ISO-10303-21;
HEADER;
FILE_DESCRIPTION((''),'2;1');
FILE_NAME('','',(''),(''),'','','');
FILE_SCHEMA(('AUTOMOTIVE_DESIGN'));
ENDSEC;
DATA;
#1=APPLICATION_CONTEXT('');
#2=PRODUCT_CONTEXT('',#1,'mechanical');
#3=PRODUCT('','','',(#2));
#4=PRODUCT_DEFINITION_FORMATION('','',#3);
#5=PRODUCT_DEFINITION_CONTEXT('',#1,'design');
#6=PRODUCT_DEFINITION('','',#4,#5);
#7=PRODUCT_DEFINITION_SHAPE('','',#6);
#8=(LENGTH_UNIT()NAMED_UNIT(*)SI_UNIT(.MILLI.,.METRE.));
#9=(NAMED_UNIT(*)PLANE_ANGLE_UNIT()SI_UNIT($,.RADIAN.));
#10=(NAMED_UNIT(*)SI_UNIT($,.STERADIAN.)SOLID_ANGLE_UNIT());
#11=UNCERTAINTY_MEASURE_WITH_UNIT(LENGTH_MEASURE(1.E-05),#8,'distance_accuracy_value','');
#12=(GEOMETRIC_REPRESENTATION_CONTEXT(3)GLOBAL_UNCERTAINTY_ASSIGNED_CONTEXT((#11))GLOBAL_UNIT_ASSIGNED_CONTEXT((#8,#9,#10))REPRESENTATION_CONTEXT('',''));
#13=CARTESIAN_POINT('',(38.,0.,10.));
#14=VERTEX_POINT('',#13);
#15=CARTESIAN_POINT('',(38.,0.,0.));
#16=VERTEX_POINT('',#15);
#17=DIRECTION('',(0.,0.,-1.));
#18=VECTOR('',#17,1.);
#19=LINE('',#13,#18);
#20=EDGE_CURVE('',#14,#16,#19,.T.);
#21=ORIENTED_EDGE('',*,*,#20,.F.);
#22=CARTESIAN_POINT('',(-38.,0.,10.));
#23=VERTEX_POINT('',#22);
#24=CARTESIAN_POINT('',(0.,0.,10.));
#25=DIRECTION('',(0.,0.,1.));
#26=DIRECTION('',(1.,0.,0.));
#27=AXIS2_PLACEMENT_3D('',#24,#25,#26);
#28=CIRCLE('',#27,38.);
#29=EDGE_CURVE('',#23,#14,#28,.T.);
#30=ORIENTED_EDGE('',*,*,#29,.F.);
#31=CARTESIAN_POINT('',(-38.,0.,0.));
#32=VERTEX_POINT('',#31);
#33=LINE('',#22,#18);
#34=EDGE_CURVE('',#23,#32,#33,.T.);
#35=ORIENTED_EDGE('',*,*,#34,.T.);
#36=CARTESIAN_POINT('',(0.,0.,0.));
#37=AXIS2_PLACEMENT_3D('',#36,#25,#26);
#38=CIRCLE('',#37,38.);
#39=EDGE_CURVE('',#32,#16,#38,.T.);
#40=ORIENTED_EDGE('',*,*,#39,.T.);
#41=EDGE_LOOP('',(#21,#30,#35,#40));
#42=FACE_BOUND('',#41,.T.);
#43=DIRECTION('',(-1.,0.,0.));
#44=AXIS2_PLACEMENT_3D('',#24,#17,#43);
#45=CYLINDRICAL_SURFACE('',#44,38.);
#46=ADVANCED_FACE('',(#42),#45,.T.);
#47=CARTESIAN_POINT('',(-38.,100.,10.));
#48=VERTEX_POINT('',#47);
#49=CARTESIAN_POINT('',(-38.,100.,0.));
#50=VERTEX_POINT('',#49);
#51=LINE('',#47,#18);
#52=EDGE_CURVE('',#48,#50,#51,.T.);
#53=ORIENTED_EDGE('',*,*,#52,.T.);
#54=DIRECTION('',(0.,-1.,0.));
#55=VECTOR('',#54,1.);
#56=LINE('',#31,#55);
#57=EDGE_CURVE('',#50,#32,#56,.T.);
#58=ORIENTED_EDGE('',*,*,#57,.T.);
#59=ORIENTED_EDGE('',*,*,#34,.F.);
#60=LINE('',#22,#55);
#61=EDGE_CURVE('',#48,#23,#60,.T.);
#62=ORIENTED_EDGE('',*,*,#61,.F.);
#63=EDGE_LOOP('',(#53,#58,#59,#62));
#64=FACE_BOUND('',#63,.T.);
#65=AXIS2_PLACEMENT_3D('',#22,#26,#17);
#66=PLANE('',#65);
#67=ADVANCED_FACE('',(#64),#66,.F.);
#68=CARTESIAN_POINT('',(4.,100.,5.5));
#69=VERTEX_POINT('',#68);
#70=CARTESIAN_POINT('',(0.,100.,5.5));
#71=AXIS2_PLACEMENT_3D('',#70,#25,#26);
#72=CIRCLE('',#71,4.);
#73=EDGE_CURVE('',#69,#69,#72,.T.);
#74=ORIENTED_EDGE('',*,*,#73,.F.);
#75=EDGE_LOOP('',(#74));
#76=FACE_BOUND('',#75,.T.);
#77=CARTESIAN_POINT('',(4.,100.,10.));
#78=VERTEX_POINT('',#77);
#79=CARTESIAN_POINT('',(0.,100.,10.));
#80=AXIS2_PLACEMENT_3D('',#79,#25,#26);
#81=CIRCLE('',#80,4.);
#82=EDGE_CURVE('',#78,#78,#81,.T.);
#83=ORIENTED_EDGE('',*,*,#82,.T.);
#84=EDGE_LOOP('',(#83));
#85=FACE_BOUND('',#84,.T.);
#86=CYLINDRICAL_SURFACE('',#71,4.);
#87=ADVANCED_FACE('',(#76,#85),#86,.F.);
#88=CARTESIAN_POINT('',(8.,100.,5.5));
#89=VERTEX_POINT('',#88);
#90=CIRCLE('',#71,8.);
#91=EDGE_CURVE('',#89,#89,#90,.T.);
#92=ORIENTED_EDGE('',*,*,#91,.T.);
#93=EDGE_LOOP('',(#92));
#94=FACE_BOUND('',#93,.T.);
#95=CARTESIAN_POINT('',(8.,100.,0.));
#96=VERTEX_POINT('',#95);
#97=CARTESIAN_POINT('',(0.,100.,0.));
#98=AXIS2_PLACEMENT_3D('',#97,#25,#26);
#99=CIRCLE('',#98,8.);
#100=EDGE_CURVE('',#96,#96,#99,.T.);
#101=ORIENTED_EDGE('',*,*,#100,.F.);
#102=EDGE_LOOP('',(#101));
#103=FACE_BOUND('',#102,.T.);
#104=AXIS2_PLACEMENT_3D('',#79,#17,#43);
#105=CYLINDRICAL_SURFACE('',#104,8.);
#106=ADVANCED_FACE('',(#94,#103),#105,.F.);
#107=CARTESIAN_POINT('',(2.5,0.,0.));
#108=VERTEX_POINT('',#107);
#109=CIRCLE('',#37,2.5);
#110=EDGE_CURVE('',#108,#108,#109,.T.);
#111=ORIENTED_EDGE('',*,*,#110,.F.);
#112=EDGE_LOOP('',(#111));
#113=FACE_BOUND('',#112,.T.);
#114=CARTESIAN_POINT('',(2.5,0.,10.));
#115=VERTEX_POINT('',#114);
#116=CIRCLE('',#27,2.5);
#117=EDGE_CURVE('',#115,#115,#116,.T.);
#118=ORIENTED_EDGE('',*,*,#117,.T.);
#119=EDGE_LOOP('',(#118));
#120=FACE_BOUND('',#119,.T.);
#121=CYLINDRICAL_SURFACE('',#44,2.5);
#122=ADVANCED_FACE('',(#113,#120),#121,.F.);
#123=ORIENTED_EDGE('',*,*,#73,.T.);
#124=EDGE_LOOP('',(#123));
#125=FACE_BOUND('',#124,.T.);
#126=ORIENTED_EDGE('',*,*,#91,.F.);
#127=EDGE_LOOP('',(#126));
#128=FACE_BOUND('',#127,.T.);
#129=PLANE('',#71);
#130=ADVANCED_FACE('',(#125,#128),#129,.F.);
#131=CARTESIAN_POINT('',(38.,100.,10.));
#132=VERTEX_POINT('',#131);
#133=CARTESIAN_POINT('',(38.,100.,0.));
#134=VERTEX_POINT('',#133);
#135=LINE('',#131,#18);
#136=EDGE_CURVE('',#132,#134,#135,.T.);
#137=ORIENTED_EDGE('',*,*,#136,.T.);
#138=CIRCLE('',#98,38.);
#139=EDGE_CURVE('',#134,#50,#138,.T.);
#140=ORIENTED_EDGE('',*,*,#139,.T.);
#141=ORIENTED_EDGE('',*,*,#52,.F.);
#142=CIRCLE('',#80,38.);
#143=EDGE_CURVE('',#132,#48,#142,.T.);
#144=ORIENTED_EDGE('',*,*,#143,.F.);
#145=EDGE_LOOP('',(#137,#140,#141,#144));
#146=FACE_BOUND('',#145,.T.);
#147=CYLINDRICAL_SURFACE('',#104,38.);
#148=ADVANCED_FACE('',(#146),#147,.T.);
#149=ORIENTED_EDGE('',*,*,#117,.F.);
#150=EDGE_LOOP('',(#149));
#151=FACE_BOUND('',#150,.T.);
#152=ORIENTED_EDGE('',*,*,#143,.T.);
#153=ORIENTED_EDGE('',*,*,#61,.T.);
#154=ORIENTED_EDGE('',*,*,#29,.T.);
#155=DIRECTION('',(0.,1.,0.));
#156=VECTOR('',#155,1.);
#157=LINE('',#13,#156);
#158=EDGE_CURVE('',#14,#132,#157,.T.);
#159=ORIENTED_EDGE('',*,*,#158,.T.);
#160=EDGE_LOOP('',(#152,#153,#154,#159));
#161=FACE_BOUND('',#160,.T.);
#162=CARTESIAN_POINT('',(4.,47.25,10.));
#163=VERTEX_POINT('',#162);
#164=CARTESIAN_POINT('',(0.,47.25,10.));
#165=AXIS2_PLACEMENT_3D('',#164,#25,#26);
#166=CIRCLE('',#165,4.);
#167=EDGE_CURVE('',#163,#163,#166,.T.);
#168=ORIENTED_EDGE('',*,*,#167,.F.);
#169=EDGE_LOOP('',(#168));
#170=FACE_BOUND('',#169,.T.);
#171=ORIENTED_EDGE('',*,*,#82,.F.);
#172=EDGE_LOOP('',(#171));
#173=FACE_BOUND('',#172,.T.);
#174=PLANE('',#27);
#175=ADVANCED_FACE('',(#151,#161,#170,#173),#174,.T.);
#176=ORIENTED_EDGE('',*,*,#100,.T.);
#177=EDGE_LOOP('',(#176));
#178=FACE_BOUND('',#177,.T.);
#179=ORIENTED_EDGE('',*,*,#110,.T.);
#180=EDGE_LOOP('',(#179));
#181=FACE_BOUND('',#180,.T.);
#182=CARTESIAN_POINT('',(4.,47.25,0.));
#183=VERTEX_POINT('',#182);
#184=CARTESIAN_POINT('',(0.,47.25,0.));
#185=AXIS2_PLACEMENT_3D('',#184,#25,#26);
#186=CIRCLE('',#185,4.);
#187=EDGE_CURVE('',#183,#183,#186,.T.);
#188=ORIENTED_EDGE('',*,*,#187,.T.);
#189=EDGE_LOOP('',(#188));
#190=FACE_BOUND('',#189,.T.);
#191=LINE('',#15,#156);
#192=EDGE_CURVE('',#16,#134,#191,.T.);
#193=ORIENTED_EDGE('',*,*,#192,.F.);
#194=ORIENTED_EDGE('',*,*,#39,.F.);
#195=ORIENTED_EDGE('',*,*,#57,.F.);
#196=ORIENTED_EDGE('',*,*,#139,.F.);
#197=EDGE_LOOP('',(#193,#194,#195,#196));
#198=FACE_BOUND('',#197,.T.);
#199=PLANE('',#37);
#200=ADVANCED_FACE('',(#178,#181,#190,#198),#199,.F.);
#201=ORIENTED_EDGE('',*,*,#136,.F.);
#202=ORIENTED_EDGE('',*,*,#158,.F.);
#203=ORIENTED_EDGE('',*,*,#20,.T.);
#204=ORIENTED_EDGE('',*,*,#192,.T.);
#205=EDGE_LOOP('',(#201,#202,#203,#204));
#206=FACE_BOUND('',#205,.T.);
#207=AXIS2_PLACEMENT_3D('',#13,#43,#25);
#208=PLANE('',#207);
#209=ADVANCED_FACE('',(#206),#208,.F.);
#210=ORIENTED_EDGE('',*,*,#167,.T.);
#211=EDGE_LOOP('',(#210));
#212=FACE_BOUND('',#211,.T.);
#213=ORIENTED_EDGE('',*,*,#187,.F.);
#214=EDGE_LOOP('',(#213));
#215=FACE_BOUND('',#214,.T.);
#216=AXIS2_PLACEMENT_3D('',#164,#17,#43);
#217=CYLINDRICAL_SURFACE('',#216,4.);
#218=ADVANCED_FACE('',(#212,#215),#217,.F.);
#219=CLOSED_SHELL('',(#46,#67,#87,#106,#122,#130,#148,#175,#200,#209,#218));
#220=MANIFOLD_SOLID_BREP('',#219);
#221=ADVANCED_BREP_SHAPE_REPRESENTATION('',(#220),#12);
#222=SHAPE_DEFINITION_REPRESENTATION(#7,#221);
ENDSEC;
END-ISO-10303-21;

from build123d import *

# Parameters (mm, degrees)
CROQUIS1_R              = 2.5
CROQUIS1_R_2            = 8
CROQUIS1_R_3            = 4
SALIENTE_EXTRUIR1_DEPTH = 10
SALIENTE_EXTRUIR2_START = -4.5
CROQUIS2_R              = 8
CROQUIS2_R_2            = 4
SALIENTE_EXTRUIR2_DEPTH = 4.5


with BuildPart() as part:
    # Croquis1 → Saliente-Extruir1 (new body)
    with BuildSketch(Plane.XY):
        with BuildLine():
            Line((-38, 0), (-38, 100))
            ThreePointArc((-38, 100), (0, 138), (38, 100))
            Line((38, 100), (38, 0))
            ThreePointArc((38, 0), (0, -38), (-38, 0))
        make_face()
        Circle(CROQUIS1_R, mode=Mode.SUBTRACT)
        with Locations((0, 100)):
            Circle(CROQUIS1_R_2, mode=Mode.SUBTRACT)
        with Locations((0, 47.25)):
            Circle(CROQUIS1_R_3, mode=Mode.SUBTRACT)
    extrude(amount=SALIENTE_EXTRUIR1_DEPTH)

    # Croquis2 → Saliente-Extruir2 (add)
    with BuildSketch(Plane.XY.offset(10).offset(SALIENTE_EXTRUIR2_START)):
        with Locations((0, 100)):
            Circle(CROQUIS2_R)
        with Locations((0, 100)):
            Circle(CROQUIS2_R_2, mode=Mode.SUBTRACT)
    extrude(amount=SALIENTE_EXTRUIR2_DEPTH)


solid = part.part
